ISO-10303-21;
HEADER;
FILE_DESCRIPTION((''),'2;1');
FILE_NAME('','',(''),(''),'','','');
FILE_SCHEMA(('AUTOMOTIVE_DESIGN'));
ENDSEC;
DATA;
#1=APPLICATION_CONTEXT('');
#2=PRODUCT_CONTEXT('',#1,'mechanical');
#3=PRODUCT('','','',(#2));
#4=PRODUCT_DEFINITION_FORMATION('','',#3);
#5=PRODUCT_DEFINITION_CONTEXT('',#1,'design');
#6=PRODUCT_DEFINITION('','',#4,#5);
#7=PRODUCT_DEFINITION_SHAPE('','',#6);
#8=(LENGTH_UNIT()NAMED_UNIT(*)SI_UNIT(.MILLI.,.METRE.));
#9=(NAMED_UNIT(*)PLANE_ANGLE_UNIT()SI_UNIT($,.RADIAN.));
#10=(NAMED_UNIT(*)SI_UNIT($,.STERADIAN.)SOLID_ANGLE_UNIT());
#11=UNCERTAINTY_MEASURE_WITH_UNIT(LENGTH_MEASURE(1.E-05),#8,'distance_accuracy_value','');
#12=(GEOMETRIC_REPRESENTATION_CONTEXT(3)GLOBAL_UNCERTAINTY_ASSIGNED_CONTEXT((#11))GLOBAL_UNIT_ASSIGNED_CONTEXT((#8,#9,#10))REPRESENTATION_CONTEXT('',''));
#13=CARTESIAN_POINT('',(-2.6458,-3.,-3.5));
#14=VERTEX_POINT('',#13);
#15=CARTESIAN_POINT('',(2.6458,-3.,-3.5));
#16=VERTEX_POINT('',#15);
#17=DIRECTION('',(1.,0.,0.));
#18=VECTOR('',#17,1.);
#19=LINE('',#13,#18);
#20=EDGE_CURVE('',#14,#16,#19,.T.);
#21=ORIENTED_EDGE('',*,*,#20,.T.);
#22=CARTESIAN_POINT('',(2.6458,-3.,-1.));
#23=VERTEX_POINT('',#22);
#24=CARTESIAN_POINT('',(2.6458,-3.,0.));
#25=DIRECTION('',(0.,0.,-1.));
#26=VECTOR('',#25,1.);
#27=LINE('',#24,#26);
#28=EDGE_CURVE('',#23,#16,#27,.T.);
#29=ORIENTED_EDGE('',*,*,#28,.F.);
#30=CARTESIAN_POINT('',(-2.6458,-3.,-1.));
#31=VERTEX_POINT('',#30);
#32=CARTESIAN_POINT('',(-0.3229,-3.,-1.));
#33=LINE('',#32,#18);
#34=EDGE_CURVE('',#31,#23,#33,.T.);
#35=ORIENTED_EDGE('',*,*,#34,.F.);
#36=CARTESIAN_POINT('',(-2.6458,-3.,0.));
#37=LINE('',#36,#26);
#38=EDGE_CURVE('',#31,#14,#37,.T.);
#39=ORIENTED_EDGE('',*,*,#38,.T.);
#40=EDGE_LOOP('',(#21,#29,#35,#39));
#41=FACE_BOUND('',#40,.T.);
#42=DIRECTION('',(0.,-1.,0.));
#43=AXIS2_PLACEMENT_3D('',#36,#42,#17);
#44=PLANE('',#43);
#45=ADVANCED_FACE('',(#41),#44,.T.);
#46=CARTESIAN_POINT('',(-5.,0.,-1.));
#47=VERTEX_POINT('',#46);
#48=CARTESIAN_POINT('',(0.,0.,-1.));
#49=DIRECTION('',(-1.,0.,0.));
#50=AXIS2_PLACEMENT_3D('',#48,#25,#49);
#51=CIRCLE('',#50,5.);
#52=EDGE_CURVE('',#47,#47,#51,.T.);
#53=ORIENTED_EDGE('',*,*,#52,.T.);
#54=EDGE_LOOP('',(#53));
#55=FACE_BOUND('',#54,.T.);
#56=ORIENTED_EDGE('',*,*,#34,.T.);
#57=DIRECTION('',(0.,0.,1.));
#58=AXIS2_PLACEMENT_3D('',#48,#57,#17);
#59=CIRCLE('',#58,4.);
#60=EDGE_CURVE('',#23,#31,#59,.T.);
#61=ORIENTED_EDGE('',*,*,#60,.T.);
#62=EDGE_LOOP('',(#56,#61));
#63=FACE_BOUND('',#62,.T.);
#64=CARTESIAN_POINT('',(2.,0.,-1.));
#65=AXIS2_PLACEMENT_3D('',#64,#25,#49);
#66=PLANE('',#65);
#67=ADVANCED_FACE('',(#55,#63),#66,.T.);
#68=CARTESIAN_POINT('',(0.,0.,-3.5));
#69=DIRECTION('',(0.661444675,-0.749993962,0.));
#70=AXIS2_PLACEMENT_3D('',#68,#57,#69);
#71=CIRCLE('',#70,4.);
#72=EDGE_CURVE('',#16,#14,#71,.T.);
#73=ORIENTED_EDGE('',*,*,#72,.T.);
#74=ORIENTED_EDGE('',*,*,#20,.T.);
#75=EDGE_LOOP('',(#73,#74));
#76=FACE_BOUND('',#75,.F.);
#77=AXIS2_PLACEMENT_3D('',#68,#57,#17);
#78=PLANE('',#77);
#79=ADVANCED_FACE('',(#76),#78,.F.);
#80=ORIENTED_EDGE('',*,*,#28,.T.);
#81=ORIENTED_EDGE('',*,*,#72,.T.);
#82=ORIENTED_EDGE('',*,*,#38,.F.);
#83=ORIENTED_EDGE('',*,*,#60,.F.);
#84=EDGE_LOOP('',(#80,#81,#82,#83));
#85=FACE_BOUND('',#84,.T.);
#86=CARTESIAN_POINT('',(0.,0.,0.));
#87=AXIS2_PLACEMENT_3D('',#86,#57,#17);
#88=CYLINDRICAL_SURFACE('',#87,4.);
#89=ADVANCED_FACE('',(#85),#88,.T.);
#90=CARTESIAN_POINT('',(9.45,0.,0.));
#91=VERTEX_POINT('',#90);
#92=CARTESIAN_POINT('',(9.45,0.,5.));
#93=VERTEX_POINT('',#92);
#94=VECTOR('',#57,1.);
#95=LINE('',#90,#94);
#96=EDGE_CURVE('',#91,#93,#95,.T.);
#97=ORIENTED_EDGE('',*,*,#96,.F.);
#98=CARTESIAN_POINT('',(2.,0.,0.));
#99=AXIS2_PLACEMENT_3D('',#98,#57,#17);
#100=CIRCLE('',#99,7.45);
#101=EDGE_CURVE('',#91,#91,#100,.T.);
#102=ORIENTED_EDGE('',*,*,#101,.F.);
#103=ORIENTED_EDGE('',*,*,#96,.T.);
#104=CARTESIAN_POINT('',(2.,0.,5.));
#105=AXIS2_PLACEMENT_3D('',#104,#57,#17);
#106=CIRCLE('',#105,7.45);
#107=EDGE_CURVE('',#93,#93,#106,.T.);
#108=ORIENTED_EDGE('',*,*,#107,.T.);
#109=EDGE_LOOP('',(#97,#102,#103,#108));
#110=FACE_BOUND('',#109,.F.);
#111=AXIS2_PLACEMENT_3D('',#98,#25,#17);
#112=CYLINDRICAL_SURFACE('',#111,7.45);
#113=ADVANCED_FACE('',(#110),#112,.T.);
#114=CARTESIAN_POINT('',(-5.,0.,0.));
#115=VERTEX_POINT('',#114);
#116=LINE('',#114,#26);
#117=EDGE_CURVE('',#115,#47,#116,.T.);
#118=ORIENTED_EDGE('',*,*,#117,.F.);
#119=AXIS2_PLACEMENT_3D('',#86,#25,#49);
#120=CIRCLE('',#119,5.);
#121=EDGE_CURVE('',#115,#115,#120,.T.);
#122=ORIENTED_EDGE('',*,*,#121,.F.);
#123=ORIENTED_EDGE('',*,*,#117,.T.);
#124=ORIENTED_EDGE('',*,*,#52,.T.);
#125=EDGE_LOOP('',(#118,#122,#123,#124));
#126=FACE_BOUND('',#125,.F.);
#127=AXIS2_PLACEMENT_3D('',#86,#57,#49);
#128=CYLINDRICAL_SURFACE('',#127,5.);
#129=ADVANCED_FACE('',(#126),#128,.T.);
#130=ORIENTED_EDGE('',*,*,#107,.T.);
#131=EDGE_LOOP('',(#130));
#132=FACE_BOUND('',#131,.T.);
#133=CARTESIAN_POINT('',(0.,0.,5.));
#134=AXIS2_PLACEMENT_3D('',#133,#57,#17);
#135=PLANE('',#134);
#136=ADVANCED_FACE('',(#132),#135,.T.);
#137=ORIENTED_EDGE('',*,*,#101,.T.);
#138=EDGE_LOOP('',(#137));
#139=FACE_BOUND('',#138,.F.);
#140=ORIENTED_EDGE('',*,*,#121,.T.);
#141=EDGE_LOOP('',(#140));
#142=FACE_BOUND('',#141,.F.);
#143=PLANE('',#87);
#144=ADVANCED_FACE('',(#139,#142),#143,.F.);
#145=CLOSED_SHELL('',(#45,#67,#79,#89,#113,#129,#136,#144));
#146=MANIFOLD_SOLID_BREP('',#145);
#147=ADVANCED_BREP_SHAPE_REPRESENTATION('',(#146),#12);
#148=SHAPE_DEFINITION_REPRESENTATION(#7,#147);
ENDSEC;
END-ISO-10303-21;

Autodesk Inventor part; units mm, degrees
ref_plane "YZ Plane" through (0, 0, 0) normal (1, 0, 0) x (0, 1, 0)
ref_plane "XZ Plane" through (0, 0, 0) normal (0, 1, 0) x (-1, 0, 0)
ref_plane "XY Plane" through (0, 0, 0) normal (0, 0, 1) x (1, 0, 0)
sketch "스케치1" plane through (0, 0, 0) normal (0, 0, 1) x (1, 0, 0)
  circle A0 centre (2, 0) radius 7.45
  line L0 (0, 0) -> (2, 0)
  circle A1 centre (0, 0) radius 4
  line L1 (-2.6458, -3) -> (2.6458, -3)
  dimension "d1" = 14.9
  dimension "d2" = 2
  dimension "d3" = 8
  dimension "d4" = 3
extrude "돌출1" add sketch "스케치1" along normal blind 5 contours A0 | A1 L1 | L1 A1
extrude "돌출2" add sketch "스케치1" against normal blind 3.5 contours A1 L1 picked at (1.0912, -0.393)
sketch "스케치3" plane through (2, 0, 0) normal (0, 0, -1) x (-1, 0, 0)
  arc A0 (4.6458, -3) -> (-0.6458, -3) centre (2, 0) ccw construction
  line L0 (-0.6458, -3) -> (4.6458, -3) construction
  circle A1 centre (2, 0) radius 5
  dimension "d12" = 10
extrude "돌출3" add sketch "스케치3" along normal blind 1
properties part number "감속기어1 - 상단 편심축"
